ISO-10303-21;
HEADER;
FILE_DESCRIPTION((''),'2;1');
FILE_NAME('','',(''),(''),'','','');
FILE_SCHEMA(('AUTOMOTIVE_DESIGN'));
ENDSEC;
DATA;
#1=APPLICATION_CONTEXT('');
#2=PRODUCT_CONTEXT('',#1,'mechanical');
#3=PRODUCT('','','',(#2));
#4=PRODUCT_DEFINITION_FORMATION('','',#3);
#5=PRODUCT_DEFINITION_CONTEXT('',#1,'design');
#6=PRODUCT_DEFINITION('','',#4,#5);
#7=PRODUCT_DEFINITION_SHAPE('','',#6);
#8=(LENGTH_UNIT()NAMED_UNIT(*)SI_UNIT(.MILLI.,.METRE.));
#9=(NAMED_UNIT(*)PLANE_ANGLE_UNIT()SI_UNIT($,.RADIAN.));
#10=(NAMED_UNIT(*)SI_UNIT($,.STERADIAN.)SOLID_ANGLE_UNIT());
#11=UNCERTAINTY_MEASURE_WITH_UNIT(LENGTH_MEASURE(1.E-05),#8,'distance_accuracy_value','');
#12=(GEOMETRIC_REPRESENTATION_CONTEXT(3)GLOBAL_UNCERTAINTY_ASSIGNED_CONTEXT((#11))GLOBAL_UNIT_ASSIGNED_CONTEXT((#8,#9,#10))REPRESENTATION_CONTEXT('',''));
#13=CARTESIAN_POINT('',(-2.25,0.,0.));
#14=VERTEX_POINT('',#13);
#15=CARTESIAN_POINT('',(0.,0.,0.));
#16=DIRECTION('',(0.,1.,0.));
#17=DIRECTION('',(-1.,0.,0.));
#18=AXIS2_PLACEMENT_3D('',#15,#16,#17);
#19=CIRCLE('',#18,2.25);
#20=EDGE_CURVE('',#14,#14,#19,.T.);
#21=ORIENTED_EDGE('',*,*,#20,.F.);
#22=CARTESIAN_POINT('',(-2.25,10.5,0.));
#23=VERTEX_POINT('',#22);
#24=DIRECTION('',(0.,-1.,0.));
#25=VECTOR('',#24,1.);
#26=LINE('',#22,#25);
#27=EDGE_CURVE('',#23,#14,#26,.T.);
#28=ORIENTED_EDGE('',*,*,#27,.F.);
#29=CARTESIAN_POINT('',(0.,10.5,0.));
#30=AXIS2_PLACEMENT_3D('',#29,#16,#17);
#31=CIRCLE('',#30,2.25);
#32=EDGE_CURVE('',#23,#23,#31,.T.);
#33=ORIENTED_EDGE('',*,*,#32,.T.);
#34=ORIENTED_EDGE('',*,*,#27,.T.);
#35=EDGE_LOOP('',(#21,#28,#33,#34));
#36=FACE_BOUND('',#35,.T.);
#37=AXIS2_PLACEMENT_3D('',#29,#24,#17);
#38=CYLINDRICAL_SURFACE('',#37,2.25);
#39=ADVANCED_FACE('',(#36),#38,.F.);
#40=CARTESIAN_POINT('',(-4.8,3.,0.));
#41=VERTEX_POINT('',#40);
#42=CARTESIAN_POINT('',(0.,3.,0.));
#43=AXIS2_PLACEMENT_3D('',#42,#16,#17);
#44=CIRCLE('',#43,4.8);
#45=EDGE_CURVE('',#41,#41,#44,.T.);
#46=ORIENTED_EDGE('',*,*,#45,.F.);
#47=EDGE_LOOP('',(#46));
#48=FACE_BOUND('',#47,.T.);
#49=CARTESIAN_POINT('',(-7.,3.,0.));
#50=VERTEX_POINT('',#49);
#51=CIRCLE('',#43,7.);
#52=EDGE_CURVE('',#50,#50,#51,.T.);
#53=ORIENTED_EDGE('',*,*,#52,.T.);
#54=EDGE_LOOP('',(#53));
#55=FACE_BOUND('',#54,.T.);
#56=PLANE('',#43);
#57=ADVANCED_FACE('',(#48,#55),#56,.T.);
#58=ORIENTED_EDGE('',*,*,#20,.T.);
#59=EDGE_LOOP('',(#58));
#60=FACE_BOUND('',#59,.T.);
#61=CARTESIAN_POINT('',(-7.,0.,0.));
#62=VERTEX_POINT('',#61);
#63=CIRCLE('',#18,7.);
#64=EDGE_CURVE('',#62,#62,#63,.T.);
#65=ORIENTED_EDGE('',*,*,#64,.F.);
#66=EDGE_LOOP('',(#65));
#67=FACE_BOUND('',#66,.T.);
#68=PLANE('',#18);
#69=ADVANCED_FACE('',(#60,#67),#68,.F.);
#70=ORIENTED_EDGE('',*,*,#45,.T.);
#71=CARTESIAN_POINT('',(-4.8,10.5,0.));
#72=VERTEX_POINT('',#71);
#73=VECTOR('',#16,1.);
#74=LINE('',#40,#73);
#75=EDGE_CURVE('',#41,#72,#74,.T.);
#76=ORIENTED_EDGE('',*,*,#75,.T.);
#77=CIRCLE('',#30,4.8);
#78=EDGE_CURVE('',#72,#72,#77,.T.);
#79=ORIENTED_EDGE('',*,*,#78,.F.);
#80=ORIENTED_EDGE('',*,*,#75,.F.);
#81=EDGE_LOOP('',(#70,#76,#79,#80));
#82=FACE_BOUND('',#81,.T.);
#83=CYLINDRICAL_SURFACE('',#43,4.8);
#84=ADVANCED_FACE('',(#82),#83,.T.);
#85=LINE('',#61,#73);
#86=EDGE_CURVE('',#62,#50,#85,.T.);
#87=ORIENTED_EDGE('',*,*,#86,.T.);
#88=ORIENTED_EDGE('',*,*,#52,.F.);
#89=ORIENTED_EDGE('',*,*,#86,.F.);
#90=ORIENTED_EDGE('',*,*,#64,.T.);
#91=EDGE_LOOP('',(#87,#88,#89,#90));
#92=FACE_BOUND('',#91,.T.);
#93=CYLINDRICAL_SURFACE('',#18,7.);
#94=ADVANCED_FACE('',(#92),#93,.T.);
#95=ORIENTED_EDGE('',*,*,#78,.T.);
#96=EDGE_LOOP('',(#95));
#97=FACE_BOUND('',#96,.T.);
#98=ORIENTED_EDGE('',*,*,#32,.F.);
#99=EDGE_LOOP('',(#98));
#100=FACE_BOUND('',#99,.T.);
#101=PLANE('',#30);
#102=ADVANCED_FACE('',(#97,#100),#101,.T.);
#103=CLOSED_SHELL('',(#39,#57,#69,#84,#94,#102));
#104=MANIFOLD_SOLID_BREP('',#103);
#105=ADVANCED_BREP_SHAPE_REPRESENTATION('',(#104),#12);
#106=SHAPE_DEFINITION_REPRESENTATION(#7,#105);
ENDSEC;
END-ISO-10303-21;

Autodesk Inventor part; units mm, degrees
ref_plane "YZ Plane" through (0, 0, 0) normal (1, 0, 0) x (0, 1, 0)
ref_plane "XZ Plane" through (0, 0, 0) normal (0, 1, 0) x (-1, 0, 0)
ref_plane "XY Plane" through (0, 0, 0) normal (0, 0, 1) x (1, 0, 0)
sketch "スケッチ1" plane through (0, 0, 0) normal (0, 0, 1) x (1, 0, 0)
  line L0 (-2.25, 10.5) -> (-2.25, 0)
  line L1 (-2.25, 0) -> (-7, 0)
  line L2 (-7, 0) -> (-7, 3)
  line L3 (-7, 3) -> (-4.8, 3)
  line L4 (-4.8, 3) -> (-4.8, 10.5)
  line L5 (-4.8, 10.5) -> (-2.25, 10.5)
  line L6 (0, 0) -> (0, 10.5) construction
  dimension "d0" = 2.25
  dimension "d1" = 4.8
  dimension "d2" = 7
  dimension "d3" = 3
  dimension "d6" = 7.5
revolve "回転1" add sketch "スケッチ1" angle 360 about axis through (0, 0, 0) along (0, 1, 0)
properties part number "omu_3d_jo_3" material "ABS プラスチック"
